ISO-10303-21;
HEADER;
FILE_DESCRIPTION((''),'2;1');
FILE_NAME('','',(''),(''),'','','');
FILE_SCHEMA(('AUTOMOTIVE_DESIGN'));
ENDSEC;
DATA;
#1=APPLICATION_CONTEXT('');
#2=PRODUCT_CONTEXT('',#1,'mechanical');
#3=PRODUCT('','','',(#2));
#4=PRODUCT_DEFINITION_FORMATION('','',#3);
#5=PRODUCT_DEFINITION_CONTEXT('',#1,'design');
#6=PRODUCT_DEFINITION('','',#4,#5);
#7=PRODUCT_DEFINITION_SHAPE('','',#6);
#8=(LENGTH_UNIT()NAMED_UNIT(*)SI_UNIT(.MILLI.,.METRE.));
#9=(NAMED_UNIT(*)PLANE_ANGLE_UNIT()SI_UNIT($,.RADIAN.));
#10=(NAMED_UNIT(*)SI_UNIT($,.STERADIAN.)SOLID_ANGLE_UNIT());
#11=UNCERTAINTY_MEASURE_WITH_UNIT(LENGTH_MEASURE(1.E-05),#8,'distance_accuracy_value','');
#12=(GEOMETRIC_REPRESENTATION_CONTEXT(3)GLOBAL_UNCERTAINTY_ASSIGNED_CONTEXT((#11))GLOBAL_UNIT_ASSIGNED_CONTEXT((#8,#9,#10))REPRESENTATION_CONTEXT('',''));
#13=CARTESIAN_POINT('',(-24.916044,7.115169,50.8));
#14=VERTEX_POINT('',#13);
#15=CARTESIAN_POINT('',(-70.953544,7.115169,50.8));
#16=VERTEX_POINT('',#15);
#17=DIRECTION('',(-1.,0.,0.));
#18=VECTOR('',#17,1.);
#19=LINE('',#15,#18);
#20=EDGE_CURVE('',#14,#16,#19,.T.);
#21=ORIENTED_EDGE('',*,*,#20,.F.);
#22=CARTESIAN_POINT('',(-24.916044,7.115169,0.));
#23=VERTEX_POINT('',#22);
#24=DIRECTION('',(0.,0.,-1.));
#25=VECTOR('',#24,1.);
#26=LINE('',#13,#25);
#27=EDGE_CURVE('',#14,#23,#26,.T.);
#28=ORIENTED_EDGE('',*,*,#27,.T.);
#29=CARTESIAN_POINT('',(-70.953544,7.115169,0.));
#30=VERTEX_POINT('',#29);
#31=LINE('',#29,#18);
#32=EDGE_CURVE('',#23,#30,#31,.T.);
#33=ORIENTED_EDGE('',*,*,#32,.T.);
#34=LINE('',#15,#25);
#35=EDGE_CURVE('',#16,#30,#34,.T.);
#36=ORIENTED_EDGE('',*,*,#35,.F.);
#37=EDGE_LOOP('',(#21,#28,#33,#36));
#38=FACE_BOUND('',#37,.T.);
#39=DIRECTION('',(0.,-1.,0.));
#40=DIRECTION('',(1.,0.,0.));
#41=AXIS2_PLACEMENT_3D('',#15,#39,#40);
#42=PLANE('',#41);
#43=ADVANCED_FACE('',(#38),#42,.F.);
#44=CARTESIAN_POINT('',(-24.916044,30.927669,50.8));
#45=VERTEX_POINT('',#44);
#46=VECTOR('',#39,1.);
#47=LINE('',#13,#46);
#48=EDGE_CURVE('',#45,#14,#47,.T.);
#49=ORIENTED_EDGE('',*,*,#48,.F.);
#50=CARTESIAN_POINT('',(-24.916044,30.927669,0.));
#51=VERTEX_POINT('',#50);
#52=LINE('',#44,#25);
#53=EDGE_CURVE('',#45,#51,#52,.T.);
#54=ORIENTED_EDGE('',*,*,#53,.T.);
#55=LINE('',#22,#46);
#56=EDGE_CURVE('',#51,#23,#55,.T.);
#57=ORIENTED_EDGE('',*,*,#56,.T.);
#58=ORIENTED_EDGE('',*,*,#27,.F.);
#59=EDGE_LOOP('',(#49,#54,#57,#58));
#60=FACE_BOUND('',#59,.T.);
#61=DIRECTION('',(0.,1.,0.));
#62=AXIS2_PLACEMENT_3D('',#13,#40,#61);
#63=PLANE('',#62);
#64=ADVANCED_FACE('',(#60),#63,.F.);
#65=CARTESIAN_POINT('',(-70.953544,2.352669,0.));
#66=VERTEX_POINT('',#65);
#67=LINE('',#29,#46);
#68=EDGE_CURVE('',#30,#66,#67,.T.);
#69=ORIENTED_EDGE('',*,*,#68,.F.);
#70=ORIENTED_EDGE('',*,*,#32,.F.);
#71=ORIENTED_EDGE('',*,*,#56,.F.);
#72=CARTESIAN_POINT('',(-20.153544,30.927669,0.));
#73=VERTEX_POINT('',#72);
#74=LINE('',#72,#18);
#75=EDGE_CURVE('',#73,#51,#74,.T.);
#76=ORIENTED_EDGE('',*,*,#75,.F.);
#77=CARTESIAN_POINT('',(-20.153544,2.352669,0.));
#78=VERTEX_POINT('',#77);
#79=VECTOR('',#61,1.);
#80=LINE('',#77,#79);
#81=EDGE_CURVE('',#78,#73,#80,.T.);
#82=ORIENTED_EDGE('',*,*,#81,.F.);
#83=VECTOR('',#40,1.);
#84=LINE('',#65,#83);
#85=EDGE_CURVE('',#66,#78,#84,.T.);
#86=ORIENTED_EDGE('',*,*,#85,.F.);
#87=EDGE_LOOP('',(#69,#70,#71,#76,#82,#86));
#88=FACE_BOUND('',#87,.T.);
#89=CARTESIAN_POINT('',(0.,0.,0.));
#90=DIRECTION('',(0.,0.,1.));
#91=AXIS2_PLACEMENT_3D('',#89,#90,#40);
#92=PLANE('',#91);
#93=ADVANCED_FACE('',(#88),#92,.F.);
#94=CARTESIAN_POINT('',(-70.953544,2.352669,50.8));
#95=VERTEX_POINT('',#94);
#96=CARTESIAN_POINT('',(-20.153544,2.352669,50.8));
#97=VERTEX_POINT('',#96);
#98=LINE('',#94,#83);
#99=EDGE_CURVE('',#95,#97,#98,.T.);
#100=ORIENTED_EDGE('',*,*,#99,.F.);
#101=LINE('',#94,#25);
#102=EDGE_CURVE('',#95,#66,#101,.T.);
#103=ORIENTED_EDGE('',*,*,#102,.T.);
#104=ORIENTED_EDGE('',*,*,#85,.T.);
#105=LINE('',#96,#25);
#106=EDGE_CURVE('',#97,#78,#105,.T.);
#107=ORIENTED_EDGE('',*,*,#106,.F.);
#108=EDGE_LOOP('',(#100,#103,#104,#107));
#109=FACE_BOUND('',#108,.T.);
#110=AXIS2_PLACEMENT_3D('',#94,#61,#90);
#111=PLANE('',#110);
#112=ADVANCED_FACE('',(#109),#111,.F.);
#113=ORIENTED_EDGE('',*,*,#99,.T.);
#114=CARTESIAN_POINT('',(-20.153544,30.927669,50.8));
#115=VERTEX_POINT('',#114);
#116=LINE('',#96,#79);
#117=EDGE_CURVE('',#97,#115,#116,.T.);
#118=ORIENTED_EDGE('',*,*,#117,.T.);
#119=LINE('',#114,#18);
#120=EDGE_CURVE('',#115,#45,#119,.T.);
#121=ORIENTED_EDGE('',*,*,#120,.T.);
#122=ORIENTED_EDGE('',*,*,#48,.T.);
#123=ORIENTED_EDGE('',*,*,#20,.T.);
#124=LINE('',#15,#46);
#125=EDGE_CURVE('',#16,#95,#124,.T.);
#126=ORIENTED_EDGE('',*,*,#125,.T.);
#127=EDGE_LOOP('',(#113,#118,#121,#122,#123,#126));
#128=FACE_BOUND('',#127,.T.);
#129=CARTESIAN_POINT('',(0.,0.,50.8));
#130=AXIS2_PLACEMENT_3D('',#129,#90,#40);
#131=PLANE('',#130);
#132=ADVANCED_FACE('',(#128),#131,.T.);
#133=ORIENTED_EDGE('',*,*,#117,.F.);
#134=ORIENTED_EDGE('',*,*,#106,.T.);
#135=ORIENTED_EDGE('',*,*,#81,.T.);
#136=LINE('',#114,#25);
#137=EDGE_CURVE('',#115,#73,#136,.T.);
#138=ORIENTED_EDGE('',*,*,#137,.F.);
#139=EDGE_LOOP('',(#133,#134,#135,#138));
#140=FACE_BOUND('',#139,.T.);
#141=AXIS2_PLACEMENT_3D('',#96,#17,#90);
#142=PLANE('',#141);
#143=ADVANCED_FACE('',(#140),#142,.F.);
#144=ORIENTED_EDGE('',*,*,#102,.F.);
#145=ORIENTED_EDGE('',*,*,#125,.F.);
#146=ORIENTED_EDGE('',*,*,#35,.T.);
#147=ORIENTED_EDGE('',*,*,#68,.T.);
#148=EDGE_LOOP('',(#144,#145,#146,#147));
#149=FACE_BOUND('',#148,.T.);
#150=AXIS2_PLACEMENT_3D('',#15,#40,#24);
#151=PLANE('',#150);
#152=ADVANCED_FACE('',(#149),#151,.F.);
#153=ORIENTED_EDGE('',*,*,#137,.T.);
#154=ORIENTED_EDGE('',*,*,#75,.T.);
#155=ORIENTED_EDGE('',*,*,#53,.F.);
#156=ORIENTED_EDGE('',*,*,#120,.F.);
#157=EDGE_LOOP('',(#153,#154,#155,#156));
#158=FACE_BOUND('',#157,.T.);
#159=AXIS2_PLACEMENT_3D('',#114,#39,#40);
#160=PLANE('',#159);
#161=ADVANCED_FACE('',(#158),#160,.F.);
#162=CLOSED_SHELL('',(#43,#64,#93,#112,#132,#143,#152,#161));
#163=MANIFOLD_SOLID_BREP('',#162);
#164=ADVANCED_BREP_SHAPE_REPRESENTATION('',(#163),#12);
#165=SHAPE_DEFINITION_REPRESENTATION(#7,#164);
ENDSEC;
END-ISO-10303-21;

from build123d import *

# Parameters (mm, degrees)
BOSS_EXTRUDE1_DEPTH = 50.8


with BuildPart() as part:
    # Sketch3 → Boss-Extrude1 (new body)
    with BuildSketch(Plane.XY):
        Polygon((-20.153543524, 2.352669395), (-20.153543524, 30.927669395), (-24.916043524, 30.927669395), (-24.916043524, 7.115169395), (-70.953543524, 7.115169395), (-70.953543524, 2.352669395), align=None)
    extrude(amount=BOSS_EXTRUDE1_DEPTH)


solid = part.part
